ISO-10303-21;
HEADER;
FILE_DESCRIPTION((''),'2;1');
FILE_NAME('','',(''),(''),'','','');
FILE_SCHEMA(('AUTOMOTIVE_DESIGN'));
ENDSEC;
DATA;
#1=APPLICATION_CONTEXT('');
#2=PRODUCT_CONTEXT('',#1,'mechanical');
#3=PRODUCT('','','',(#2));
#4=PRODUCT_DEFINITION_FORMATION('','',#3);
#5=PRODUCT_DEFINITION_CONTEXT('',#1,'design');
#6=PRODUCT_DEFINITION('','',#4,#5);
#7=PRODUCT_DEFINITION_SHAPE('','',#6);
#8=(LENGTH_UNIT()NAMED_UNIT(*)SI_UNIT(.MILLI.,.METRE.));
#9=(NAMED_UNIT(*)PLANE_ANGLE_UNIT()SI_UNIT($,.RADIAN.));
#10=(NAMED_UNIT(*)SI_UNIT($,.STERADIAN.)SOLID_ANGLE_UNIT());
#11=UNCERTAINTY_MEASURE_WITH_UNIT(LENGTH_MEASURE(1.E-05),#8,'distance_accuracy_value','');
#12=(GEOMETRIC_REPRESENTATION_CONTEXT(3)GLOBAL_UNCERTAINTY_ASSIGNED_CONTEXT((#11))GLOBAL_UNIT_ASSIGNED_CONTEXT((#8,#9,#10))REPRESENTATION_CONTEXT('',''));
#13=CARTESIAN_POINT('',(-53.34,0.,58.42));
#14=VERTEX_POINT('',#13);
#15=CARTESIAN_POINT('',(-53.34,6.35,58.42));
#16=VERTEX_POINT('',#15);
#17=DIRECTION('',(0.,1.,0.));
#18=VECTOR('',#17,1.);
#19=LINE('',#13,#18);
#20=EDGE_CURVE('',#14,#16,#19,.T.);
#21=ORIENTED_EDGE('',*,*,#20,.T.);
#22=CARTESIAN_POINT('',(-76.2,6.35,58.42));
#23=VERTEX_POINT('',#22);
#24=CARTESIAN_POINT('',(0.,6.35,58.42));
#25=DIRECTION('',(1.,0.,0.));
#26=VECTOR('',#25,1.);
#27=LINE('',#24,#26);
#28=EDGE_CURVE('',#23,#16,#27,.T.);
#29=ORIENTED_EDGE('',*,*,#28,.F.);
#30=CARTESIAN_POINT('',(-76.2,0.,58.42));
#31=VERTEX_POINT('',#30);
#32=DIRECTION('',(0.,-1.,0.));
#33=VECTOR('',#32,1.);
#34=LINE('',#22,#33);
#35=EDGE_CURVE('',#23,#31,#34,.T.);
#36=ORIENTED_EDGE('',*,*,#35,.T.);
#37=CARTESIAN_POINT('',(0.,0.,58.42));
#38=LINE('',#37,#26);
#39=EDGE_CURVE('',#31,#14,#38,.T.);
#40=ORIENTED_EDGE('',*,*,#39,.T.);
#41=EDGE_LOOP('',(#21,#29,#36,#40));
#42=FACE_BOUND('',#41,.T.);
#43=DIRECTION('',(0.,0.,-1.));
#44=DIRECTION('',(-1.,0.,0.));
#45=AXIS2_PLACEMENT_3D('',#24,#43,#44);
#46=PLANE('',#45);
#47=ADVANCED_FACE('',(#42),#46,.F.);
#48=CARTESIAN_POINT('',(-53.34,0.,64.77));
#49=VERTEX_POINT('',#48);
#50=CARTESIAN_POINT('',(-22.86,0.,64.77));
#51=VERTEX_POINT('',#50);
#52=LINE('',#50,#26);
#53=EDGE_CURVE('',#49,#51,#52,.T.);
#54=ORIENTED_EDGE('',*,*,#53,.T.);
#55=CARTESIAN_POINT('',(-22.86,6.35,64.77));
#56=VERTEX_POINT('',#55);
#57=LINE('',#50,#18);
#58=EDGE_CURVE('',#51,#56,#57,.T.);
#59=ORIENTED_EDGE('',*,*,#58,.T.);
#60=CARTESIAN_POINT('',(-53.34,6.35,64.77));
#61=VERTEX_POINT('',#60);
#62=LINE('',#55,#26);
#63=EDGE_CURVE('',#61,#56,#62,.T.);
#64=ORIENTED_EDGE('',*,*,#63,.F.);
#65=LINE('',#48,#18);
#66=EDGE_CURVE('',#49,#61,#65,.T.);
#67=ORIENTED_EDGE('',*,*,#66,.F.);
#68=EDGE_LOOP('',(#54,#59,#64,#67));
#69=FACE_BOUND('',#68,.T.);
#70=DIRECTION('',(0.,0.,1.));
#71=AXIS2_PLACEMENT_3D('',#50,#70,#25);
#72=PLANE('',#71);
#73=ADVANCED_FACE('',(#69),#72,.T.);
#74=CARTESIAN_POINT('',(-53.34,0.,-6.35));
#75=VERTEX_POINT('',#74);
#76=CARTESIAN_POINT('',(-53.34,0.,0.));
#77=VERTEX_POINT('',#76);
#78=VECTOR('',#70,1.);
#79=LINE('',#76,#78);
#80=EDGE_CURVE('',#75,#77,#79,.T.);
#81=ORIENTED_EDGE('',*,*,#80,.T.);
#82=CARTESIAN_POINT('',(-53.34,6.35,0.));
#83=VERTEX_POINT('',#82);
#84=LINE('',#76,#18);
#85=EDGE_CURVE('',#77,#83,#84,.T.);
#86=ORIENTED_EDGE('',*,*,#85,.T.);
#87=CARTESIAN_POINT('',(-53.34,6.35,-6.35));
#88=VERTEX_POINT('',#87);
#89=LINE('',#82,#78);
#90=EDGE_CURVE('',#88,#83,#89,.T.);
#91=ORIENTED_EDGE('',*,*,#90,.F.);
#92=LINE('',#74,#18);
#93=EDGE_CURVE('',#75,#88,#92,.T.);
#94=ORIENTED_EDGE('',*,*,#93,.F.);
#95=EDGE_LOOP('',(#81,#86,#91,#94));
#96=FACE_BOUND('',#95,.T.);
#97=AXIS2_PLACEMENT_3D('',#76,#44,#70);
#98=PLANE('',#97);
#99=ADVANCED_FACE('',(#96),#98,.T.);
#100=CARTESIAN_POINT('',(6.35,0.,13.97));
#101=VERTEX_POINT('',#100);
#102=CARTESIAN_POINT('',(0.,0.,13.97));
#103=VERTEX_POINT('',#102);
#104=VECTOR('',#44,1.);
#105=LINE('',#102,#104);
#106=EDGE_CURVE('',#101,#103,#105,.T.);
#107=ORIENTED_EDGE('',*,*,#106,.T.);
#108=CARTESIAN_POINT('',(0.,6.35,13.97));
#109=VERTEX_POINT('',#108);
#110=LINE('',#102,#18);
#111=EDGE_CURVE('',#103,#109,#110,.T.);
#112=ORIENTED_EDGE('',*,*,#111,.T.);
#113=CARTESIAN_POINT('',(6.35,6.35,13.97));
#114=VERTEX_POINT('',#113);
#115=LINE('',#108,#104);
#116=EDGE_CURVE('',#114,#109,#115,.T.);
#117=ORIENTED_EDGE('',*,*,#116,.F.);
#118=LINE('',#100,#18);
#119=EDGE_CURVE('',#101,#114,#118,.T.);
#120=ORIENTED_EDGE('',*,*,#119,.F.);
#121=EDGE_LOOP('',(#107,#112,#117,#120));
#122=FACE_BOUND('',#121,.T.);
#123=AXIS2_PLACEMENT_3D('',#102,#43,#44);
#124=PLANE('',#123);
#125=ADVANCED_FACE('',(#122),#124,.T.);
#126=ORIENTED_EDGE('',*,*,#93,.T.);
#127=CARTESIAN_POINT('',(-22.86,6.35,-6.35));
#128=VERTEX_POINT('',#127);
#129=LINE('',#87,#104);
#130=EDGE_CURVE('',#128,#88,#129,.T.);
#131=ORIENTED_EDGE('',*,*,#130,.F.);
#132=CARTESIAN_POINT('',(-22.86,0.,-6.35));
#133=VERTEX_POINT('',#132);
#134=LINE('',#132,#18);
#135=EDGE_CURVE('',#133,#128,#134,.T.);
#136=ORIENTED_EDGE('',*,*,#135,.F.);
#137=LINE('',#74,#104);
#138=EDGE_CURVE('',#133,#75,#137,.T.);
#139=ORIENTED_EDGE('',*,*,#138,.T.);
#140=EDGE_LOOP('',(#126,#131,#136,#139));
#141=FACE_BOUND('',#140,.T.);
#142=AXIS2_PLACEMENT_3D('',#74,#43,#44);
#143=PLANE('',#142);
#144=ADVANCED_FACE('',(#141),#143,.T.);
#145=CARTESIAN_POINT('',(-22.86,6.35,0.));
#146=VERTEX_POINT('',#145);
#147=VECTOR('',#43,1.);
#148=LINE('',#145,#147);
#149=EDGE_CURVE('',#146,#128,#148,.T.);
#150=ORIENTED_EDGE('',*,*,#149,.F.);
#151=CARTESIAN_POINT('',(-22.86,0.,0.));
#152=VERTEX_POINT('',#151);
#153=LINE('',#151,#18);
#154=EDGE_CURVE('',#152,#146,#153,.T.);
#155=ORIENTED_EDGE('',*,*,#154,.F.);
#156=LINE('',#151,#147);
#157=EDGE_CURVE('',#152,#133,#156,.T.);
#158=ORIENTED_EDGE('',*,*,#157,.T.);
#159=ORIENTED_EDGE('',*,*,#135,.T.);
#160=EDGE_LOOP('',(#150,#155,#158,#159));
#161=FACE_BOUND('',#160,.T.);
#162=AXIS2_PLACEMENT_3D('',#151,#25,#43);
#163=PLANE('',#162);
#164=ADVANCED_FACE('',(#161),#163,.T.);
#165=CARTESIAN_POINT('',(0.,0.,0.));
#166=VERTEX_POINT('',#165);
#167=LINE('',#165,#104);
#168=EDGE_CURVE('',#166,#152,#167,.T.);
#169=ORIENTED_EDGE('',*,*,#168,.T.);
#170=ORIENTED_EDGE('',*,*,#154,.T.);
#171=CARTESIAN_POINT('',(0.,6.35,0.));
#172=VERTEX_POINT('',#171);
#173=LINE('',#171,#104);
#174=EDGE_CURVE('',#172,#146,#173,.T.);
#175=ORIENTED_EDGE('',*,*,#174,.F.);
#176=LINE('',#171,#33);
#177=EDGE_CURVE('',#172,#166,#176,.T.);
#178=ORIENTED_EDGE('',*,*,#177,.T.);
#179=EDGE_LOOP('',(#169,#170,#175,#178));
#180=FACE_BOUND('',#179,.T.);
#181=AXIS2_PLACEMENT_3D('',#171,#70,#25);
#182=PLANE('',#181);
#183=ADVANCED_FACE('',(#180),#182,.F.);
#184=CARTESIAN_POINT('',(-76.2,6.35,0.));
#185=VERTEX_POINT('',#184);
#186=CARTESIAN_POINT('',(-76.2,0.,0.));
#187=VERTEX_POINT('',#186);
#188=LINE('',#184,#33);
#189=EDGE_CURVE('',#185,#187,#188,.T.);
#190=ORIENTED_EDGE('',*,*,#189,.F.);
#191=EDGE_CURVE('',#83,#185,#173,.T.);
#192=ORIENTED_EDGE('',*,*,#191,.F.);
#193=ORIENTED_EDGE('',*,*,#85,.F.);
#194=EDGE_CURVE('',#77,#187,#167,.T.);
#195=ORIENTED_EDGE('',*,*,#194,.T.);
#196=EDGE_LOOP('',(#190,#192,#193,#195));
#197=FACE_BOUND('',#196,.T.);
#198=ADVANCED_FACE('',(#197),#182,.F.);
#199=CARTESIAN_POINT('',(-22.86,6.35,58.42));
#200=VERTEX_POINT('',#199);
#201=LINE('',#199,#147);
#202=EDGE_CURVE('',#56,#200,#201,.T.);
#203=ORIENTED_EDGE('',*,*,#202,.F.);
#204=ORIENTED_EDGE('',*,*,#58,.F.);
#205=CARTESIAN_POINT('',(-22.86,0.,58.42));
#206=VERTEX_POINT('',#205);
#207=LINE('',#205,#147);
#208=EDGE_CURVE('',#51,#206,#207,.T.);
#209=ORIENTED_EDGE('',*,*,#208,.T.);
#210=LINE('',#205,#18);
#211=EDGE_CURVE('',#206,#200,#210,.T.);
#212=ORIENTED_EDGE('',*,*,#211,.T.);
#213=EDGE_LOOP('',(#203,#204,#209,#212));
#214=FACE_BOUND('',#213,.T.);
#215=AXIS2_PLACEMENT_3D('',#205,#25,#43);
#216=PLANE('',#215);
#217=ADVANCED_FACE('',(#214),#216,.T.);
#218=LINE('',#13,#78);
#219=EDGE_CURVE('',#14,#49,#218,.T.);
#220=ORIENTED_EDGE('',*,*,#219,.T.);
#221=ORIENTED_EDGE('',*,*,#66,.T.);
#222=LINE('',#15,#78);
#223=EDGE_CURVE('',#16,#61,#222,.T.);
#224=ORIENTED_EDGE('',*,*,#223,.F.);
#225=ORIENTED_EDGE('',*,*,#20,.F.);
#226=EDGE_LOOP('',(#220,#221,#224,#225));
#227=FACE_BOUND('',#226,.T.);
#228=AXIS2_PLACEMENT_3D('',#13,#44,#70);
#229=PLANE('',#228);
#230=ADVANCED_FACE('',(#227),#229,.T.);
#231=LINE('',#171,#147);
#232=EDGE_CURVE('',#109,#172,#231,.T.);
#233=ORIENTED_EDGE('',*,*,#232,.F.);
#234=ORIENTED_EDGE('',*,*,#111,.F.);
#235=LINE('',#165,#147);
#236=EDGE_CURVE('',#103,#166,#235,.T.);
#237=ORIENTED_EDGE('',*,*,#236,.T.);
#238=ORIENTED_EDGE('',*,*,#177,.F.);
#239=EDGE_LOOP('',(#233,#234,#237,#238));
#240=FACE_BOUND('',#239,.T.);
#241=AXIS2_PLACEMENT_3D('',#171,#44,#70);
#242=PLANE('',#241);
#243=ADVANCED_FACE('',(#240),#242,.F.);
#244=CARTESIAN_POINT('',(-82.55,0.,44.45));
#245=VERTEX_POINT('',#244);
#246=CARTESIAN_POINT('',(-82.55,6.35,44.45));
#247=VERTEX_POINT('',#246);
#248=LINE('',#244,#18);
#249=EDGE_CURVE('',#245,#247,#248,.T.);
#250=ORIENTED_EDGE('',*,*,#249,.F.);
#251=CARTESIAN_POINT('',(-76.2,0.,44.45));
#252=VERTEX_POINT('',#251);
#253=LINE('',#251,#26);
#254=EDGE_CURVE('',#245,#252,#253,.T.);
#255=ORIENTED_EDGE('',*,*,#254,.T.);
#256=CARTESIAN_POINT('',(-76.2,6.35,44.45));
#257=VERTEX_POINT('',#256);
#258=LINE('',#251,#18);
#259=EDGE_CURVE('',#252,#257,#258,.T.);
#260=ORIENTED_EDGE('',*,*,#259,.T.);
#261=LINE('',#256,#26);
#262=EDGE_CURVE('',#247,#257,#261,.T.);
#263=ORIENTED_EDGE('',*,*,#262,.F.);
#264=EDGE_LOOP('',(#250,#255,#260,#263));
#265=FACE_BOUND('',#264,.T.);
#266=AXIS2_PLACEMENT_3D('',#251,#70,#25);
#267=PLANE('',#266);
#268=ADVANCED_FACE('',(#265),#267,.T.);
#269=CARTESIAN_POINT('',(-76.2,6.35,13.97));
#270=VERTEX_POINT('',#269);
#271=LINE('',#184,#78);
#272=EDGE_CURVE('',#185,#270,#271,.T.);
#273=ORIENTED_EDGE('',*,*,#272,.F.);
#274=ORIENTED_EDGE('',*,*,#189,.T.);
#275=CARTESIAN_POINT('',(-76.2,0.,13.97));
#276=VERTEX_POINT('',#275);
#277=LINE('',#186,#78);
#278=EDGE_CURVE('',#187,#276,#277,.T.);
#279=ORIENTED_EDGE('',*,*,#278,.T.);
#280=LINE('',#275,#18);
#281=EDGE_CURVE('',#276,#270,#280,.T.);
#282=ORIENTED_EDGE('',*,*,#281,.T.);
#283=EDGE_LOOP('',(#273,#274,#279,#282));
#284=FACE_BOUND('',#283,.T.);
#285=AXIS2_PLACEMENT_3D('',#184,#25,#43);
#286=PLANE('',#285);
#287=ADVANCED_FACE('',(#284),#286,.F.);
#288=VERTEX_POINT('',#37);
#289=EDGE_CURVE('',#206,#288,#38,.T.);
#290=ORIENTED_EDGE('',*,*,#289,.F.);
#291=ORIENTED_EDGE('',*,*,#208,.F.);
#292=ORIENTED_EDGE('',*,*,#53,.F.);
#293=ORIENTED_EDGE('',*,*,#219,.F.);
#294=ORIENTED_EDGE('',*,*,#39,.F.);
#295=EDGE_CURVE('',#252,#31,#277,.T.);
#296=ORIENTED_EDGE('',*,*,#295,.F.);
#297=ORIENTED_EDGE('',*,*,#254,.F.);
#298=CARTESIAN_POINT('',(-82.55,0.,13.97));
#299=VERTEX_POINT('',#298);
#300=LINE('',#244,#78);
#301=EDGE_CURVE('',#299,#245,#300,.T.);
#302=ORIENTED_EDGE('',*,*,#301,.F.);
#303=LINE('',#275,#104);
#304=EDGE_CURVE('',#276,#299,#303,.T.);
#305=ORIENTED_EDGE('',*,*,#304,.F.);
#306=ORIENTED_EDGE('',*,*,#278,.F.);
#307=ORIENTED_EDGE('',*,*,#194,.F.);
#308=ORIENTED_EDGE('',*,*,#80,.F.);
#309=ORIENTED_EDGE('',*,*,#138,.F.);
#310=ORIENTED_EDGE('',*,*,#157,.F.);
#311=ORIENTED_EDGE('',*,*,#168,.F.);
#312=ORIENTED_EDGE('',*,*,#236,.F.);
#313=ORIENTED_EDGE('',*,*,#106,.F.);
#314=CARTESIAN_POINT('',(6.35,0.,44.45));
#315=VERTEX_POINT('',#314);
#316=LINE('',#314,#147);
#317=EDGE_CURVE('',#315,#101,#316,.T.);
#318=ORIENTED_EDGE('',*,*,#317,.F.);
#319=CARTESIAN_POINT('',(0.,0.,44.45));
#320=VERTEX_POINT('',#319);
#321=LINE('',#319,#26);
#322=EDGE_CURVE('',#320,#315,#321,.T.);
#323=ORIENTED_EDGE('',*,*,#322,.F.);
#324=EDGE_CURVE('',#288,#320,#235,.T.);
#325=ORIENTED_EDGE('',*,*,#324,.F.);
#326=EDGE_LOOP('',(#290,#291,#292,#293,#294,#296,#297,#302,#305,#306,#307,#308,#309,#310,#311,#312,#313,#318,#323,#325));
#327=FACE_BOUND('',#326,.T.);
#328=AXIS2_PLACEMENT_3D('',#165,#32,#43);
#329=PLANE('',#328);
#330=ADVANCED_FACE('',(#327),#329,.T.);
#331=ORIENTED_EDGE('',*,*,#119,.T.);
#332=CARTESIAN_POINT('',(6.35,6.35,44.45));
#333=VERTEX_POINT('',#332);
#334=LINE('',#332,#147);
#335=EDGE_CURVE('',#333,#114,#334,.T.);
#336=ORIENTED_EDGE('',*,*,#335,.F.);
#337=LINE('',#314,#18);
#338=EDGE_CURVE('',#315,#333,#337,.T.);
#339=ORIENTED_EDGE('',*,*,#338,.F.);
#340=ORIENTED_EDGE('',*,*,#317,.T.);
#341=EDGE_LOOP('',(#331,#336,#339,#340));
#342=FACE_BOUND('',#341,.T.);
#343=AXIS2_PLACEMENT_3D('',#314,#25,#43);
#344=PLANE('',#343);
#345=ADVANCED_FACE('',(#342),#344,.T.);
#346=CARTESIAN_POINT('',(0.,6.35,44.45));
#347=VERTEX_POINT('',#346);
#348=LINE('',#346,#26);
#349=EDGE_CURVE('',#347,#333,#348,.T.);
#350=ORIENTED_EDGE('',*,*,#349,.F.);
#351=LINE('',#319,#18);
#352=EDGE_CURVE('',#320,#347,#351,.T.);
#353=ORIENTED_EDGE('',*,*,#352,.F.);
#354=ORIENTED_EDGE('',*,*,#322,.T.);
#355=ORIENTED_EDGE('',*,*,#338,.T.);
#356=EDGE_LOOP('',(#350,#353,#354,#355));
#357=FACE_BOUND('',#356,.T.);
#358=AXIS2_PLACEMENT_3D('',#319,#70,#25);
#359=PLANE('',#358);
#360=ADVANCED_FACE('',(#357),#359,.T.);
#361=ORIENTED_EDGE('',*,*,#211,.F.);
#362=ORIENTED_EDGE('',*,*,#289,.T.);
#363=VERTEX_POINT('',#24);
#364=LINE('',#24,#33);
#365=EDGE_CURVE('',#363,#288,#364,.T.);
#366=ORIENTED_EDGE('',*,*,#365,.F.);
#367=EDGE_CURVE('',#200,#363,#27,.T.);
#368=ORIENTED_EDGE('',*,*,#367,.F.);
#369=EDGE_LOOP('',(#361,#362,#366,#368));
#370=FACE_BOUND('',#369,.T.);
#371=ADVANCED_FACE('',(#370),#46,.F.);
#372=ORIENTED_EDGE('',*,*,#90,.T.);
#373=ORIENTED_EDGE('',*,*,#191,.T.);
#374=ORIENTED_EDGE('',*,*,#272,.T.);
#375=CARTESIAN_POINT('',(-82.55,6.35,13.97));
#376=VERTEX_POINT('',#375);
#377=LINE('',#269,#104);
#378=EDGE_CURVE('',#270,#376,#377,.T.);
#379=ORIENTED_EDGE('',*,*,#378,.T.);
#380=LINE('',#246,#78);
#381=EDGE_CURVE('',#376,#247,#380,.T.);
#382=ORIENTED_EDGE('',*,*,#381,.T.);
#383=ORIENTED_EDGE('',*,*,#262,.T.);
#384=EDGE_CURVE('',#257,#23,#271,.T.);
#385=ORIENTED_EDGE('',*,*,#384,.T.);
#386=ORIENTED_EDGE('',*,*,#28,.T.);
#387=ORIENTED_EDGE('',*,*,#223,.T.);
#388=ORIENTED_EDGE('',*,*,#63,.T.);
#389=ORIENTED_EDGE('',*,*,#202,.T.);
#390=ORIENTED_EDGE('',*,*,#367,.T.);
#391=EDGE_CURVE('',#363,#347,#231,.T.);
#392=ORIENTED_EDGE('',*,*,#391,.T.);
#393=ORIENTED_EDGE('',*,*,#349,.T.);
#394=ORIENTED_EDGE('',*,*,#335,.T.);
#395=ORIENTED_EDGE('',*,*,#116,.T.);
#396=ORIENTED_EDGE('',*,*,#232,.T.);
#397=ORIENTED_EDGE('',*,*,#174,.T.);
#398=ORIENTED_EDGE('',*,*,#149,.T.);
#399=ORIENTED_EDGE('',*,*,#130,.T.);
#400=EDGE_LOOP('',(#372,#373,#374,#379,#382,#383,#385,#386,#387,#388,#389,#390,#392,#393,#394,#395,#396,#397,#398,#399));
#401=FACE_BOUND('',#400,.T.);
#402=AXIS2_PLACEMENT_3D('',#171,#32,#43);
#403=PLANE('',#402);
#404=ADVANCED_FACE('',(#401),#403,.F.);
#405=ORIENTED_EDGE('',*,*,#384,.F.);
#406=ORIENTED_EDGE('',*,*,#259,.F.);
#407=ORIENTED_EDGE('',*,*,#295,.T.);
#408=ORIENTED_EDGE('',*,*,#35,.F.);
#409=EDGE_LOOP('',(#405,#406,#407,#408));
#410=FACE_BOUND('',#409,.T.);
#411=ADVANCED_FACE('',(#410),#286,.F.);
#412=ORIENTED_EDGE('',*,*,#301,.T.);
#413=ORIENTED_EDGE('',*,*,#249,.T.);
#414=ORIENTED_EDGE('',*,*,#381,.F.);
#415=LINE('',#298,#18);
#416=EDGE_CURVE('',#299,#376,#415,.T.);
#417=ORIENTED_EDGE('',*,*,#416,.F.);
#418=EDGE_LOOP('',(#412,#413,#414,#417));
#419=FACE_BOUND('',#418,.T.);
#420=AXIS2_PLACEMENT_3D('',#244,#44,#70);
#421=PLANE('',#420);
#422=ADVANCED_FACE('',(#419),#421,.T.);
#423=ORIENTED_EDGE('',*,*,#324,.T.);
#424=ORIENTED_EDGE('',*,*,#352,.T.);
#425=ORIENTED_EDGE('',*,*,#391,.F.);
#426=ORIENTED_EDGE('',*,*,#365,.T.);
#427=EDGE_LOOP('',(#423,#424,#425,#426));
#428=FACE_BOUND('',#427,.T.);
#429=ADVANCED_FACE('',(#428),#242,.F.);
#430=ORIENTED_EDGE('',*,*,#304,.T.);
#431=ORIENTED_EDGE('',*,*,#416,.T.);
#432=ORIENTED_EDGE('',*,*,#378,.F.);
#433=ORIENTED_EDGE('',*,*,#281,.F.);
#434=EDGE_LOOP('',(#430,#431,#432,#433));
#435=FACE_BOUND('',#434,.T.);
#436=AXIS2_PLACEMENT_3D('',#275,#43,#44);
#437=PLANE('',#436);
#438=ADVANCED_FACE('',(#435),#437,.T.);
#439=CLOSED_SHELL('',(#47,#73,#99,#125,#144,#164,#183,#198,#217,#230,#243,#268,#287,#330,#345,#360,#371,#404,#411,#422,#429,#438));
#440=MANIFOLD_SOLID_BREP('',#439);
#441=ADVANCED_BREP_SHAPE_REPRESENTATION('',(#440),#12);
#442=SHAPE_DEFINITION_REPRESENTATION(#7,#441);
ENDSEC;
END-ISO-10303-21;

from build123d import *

# Parameters (mm, degrees)
SKETCH1_W           = 76.2
SKETCH1_H           = 58.42
BOSS_EXTRUDE1_DEPTH = 6.35
SKETCH2_W           = 30.48
SKETCH2_H           = 6.35
SKETCH2_W_2         = 6.35
SKETCH2_H_2         = 30.48
BOSS_EXTRUDE2_DEPTH = 6.35


with BuildPart() as part:
    # Sketch1 → Boss-Extrude1 (new body)
    with BuildSketch(Plane(origin=(0, 0, 0), x_dir=(1, 0, 0), z_dir=(0, 1, 0))):
        with Locations((-38.1, -29.21)):
            Rectangle(SKETCH1_W, SKETCH1_H)
    extrude(amount=BOSS_EXTRUDE1_DEPTH)

    # Sketch2 → Boss-Extrude2 (add)
    with BuildSketch(Plane(origin=(0, 6.35, 0), x_dir=(1, 0, 0), z_dir=(0, 1, 0))):
        with Locations((-38.1, -61.595)):
            Rectangle(SKETCH2_W, SKETCH2_H)
        with Locations((-79.375, -29.21)):
            Rectangle(SKETCH2_W_2, SKETCH2_H_2)
        with Locations((-38.1, 3.175)):
            Rectangle(SKETCH2_W, SKETCH2_H)
        with Locations((3.175, -29.21)):
            Rectangle(SKETCH2_W_2, SKETCH2_H_2)
    extrude(amount=-BOSS_EXTRUDE2_DEPTH)


solid = part.part
